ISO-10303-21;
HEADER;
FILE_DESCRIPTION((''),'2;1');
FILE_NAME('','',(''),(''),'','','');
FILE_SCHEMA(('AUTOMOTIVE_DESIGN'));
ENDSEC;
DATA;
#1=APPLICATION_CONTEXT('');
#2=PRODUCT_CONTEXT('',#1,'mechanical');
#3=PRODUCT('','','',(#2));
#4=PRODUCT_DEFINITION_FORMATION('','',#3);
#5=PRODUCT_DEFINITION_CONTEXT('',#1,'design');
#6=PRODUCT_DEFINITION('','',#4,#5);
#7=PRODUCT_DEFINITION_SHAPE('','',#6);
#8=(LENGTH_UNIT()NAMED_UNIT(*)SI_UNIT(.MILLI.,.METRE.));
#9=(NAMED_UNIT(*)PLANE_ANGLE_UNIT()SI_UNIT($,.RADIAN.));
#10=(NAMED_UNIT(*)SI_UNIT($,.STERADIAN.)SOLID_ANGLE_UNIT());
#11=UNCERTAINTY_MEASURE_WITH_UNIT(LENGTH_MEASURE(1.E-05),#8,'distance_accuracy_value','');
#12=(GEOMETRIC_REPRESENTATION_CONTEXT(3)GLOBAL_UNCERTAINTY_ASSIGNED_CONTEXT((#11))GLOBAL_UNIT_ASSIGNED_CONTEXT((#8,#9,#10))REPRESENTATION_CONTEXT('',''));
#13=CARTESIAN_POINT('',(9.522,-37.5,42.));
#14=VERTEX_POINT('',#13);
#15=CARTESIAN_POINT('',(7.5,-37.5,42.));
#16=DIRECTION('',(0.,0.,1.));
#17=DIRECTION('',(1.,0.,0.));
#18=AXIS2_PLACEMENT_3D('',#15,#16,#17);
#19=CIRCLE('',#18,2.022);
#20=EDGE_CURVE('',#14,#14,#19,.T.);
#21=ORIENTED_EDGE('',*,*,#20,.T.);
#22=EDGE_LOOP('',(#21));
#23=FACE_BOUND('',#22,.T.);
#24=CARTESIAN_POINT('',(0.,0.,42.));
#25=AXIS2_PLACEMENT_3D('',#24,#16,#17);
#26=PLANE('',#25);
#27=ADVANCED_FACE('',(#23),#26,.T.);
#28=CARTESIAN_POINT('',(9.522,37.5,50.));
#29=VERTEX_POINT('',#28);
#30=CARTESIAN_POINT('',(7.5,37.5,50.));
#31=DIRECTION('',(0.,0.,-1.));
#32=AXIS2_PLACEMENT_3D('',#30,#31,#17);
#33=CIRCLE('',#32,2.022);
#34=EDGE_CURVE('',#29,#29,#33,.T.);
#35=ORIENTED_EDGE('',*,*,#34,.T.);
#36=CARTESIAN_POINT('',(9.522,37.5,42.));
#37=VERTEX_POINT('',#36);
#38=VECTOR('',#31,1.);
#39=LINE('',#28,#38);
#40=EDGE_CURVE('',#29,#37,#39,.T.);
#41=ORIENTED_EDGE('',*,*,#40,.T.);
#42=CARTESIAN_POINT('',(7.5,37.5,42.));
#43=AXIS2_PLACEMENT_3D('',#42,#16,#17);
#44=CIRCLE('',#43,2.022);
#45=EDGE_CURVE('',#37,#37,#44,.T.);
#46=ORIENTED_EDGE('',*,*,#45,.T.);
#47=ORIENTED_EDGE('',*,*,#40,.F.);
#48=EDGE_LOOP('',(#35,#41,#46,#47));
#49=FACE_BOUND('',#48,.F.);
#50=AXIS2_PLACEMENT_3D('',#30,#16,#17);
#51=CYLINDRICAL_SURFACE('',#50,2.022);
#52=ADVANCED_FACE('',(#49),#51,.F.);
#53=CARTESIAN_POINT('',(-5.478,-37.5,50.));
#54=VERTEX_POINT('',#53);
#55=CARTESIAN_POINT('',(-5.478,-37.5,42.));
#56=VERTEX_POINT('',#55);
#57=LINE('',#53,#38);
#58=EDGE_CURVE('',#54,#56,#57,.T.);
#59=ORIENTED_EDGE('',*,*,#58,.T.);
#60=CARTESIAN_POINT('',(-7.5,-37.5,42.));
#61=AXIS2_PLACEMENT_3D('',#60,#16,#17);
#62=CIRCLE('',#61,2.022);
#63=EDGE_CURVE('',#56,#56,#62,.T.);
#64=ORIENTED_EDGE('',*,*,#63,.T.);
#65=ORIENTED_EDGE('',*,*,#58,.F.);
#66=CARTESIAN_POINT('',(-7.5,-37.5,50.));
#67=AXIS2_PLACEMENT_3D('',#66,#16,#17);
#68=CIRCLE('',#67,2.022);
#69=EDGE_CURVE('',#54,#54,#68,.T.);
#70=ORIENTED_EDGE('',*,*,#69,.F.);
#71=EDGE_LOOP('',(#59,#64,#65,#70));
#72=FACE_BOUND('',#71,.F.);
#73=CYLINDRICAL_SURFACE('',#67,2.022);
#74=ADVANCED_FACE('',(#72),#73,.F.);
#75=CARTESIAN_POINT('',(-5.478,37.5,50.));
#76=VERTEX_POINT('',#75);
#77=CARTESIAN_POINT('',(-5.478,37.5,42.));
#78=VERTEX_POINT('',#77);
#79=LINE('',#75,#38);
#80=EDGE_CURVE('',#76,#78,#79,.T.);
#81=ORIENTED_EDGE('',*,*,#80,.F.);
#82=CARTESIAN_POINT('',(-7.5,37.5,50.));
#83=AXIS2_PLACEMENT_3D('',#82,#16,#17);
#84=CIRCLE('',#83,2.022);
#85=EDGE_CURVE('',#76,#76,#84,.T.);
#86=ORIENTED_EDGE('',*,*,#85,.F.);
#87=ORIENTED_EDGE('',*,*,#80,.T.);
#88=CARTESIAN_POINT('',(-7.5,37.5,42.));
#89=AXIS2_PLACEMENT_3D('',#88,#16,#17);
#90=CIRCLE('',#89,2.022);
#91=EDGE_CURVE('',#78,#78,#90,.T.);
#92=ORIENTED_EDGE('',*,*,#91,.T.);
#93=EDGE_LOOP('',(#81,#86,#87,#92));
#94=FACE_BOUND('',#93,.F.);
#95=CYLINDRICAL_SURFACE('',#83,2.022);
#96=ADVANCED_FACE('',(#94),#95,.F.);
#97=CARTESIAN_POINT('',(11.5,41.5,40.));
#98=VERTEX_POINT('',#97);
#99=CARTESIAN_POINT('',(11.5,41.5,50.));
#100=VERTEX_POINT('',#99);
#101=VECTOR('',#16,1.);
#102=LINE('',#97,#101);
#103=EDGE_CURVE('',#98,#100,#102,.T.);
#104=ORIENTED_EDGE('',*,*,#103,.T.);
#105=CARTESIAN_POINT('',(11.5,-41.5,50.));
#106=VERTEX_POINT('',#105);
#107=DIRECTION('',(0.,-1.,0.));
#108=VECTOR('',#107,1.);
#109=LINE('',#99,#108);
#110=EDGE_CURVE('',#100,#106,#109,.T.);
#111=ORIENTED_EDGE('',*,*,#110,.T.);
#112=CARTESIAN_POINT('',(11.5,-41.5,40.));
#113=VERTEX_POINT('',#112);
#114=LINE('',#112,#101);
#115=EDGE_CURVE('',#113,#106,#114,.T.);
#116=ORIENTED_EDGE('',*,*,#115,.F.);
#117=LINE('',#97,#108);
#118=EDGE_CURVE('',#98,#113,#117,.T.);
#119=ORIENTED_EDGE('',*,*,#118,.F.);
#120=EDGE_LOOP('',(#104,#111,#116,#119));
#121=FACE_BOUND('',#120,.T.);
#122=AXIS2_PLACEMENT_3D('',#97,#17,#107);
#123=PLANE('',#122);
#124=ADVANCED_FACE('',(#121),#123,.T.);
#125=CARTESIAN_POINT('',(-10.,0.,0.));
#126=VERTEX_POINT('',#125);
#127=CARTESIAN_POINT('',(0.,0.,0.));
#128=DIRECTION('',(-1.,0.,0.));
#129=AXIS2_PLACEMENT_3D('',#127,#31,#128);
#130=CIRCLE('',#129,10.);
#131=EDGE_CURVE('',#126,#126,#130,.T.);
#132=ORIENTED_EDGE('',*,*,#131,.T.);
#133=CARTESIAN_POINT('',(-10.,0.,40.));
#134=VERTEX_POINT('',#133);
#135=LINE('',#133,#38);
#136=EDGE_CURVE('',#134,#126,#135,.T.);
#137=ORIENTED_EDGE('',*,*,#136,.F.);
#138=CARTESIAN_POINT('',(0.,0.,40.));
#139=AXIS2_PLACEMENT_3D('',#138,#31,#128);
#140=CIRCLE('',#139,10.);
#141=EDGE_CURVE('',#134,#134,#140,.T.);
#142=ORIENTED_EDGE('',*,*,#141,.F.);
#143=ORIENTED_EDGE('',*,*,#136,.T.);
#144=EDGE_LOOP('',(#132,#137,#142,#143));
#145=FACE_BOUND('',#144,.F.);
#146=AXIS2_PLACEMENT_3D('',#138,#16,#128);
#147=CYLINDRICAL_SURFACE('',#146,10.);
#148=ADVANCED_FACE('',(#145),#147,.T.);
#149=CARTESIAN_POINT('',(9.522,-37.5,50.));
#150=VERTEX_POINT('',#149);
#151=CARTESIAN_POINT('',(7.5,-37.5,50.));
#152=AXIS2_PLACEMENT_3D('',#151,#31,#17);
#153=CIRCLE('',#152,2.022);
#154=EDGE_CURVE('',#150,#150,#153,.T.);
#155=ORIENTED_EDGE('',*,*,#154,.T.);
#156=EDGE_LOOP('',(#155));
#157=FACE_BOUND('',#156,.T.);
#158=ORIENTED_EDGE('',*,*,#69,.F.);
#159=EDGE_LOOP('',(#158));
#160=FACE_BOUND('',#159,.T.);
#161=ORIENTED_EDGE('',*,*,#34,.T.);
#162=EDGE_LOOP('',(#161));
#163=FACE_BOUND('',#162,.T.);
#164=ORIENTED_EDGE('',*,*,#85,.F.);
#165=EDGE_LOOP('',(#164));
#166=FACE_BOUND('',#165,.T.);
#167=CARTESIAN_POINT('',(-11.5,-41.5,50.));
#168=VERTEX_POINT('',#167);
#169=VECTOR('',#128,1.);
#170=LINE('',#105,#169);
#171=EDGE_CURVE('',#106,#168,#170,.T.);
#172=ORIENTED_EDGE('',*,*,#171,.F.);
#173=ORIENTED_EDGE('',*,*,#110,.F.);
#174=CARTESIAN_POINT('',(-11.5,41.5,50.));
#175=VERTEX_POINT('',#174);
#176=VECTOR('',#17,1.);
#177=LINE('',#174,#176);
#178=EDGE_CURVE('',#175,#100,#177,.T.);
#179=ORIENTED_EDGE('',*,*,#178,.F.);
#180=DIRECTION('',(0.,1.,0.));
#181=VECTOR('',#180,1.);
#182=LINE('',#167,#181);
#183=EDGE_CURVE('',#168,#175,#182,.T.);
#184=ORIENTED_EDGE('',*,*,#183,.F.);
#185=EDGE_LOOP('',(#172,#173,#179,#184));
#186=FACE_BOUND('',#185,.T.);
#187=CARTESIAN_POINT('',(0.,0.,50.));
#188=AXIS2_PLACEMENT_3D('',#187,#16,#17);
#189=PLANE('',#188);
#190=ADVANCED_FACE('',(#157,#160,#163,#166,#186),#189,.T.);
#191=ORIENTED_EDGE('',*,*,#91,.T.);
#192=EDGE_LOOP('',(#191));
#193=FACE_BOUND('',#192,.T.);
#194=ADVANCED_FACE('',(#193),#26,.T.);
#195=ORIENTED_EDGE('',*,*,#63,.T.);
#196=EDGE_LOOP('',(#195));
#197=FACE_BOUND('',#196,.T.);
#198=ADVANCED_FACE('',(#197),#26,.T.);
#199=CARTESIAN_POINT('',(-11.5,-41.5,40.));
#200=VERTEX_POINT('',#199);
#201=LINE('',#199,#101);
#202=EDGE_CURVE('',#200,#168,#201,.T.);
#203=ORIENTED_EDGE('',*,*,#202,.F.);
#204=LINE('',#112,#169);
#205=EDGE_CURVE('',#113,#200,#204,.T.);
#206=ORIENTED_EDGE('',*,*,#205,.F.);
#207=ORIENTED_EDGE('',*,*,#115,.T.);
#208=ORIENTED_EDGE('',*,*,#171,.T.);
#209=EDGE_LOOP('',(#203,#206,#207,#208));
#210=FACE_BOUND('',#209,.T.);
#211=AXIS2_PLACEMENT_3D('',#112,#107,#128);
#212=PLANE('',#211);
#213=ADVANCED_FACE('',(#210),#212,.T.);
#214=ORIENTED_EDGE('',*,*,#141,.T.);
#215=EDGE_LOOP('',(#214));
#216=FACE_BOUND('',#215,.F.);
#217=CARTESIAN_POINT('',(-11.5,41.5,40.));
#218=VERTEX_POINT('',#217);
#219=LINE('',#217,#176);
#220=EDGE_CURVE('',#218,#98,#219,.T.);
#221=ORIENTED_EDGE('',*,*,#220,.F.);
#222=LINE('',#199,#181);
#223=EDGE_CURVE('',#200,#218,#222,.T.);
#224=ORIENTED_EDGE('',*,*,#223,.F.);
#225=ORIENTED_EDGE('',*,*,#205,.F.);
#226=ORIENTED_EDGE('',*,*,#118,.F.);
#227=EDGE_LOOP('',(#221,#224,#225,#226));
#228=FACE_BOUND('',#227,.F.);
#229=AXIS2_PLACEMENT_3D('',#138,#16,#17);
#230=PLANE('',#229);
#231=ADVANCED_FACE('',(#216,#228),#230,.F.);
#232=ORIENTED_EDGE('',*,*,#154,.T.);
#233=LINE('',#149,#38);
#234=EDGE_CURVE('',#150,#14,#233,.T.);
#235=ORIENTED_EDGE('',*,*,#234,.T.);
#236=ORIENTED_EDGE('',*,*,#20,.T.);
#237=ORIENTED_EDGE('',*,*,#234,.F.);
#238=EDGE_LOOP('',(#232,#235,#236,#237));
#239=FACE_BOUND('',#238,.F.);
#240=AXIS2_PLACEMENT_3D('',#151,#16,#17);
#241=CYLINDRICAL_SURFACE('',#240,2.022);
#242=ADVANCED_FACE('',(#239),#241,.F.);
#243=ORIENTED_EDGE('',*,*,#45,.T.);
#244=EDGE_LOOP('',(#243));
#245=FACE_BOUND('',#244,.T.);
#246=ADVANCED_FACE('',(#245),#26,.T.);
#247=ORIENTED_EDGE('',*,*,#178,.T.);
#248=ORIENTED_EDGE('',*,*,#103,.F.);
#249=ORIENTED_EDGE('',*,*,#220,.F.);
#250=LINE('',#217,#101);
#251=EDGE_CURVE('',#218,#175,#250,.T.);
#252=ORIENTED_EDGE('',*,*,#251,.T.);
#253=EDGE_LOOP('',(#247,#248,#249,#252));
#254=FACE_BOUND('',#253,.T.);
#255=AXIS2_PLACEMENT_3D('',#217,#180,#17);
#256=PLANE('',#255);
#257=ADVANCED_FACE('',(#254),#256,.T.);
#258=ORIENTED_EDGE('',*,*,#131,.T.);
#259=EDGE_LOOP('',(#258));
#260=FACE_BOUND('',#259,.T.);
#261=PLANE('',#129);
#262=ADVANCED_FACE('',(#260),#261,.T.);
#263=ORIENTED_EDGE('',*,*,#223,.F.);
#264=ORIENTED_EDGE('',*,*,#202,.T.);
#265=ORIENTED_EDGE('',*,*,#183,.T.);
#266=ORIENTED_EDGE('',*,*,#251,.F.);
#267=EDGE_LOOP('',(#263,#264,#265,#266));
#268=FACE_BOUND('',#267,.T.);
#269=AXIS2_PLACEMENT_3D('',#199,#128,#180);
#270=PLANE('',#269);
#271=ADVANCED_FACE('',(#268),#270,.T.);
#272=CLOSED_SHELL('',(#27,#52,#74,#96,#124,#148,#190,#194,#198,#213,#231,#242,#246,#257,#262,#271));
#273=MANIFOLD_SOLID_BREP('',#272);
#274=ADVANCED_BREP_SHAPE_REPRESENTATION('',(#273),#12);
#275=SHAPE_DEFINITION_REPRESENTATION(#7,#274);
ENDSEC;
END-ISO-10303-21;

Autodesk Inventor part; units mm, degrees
ref_plane "YZ Plane" through (0, 0, 0) normal (1, 0, 0) x (0, 1, 0)
ref_plane "XZ Plane" through (0, 0, 0) normal (0, 1, 0) x (-1, 0, 0)
ref_plane "Plano de trabajo2" through (7.156, -49.9529, 91.9135) normal (-0.1189, 0.9929, 0) x (-0.9929, -0.1189, 0)
ref_plane "Plano de trabajo5" through (0, 0, 40) normal (0, 0, 1) x (1, 0, 0)
sketch "Boceto7" plane through (0, 0, 40) normal (0, 0, 1) x (1, 0, 0)
  line L0 (-7.5, 37.5) -> (7.5, 37.5)
  line L1 (7.5, 37.5) -> (7.5, -37.5)
  line L2 (7.5, -37.5) -> (-7.5, -37.5)
  line L3 (-7.5, -37.5) -> (-7.5, 37.5)
  line L4 (-7.5, 37.5) -> (7.5, -37.5) construction
  line L5 (7.5, 37.5) -> (-7.5, -37.5) construction
  line L6 (-11.5, 41.5) -> (11.5, 41.5)
  line L7 (11.5, 41.5) -> (11.5, -41.5)
  line L8 (11.5, -41.5) -> (-11.5, -41.5)
  line L9 (-11.5, -41.5) -> (-11.5, 41.5)
  line L10 (-11.5, 41.5) -> (11.5, -41.5) construction
  line L11 (11.5, 41.5) -> (-11.5, -41.5) construction
  point P0 (0, 0)
  dimension "d18" = 15
  dimension "d19" = 75
  dimension "d32" = 23
  dimension "d33" = 83
extrude "Extrusión5" add sketch "Boceto7" along normal blind 10 contours L0 L1 L2 L3 | L6 L7 L8 L9
ref_plane "Plano de trabajo4" through (0, 0, 40) normal (0, 0, 1) x (1, 0, 0)
sketch "Boceto10" plane through (0, 0, 50) normal (0, 0, 1) x (1, 0, 0)
  line L0 (7.5, -37.5) -> (7.5, 37.5) projected
  line L1 (7.5, 37.5) -> (0, 37.5)
  line L2 (7.5, 37.5) -> (-7.5, 37.5) projected
  line L3 (3.75, 37.5) -> (3.75, 37.5)
  line L4 (0, 37.5) -> (0, 32.43)
  line L5 (0, 0) -> (7.5, 0)
  line L6 (0, 37.5) -> (7.5, 37.5)
  circle A0 centre (7.5, 37.5) radius 2.022
  circle A1 centre (-7.5, 37.5) radius 2.022
  circle A2 centre (7.5, -37.5) radius 2.022
  circle A3 centre (-7.5, -37.5) radius 2.022
  dimension "d28" = 0
  dimension "d35" = 7.5
  dimension "d36" = 4.044
  dimension "d37" = 4.044
extrude "Extrusión6" cut sketch "Boceto10" against normal blind 8
sketch "Boceto11" plane through (0, 0, 40) normal (0, 0, -1) x (-1, 0, 0)
  circle A0 centre (0, 0) radius 10
  dimension "d38" = 20
extrude "Extrusión7" add sketch "Boceto11" along normal blind 40
properties part number "UNION_B"
